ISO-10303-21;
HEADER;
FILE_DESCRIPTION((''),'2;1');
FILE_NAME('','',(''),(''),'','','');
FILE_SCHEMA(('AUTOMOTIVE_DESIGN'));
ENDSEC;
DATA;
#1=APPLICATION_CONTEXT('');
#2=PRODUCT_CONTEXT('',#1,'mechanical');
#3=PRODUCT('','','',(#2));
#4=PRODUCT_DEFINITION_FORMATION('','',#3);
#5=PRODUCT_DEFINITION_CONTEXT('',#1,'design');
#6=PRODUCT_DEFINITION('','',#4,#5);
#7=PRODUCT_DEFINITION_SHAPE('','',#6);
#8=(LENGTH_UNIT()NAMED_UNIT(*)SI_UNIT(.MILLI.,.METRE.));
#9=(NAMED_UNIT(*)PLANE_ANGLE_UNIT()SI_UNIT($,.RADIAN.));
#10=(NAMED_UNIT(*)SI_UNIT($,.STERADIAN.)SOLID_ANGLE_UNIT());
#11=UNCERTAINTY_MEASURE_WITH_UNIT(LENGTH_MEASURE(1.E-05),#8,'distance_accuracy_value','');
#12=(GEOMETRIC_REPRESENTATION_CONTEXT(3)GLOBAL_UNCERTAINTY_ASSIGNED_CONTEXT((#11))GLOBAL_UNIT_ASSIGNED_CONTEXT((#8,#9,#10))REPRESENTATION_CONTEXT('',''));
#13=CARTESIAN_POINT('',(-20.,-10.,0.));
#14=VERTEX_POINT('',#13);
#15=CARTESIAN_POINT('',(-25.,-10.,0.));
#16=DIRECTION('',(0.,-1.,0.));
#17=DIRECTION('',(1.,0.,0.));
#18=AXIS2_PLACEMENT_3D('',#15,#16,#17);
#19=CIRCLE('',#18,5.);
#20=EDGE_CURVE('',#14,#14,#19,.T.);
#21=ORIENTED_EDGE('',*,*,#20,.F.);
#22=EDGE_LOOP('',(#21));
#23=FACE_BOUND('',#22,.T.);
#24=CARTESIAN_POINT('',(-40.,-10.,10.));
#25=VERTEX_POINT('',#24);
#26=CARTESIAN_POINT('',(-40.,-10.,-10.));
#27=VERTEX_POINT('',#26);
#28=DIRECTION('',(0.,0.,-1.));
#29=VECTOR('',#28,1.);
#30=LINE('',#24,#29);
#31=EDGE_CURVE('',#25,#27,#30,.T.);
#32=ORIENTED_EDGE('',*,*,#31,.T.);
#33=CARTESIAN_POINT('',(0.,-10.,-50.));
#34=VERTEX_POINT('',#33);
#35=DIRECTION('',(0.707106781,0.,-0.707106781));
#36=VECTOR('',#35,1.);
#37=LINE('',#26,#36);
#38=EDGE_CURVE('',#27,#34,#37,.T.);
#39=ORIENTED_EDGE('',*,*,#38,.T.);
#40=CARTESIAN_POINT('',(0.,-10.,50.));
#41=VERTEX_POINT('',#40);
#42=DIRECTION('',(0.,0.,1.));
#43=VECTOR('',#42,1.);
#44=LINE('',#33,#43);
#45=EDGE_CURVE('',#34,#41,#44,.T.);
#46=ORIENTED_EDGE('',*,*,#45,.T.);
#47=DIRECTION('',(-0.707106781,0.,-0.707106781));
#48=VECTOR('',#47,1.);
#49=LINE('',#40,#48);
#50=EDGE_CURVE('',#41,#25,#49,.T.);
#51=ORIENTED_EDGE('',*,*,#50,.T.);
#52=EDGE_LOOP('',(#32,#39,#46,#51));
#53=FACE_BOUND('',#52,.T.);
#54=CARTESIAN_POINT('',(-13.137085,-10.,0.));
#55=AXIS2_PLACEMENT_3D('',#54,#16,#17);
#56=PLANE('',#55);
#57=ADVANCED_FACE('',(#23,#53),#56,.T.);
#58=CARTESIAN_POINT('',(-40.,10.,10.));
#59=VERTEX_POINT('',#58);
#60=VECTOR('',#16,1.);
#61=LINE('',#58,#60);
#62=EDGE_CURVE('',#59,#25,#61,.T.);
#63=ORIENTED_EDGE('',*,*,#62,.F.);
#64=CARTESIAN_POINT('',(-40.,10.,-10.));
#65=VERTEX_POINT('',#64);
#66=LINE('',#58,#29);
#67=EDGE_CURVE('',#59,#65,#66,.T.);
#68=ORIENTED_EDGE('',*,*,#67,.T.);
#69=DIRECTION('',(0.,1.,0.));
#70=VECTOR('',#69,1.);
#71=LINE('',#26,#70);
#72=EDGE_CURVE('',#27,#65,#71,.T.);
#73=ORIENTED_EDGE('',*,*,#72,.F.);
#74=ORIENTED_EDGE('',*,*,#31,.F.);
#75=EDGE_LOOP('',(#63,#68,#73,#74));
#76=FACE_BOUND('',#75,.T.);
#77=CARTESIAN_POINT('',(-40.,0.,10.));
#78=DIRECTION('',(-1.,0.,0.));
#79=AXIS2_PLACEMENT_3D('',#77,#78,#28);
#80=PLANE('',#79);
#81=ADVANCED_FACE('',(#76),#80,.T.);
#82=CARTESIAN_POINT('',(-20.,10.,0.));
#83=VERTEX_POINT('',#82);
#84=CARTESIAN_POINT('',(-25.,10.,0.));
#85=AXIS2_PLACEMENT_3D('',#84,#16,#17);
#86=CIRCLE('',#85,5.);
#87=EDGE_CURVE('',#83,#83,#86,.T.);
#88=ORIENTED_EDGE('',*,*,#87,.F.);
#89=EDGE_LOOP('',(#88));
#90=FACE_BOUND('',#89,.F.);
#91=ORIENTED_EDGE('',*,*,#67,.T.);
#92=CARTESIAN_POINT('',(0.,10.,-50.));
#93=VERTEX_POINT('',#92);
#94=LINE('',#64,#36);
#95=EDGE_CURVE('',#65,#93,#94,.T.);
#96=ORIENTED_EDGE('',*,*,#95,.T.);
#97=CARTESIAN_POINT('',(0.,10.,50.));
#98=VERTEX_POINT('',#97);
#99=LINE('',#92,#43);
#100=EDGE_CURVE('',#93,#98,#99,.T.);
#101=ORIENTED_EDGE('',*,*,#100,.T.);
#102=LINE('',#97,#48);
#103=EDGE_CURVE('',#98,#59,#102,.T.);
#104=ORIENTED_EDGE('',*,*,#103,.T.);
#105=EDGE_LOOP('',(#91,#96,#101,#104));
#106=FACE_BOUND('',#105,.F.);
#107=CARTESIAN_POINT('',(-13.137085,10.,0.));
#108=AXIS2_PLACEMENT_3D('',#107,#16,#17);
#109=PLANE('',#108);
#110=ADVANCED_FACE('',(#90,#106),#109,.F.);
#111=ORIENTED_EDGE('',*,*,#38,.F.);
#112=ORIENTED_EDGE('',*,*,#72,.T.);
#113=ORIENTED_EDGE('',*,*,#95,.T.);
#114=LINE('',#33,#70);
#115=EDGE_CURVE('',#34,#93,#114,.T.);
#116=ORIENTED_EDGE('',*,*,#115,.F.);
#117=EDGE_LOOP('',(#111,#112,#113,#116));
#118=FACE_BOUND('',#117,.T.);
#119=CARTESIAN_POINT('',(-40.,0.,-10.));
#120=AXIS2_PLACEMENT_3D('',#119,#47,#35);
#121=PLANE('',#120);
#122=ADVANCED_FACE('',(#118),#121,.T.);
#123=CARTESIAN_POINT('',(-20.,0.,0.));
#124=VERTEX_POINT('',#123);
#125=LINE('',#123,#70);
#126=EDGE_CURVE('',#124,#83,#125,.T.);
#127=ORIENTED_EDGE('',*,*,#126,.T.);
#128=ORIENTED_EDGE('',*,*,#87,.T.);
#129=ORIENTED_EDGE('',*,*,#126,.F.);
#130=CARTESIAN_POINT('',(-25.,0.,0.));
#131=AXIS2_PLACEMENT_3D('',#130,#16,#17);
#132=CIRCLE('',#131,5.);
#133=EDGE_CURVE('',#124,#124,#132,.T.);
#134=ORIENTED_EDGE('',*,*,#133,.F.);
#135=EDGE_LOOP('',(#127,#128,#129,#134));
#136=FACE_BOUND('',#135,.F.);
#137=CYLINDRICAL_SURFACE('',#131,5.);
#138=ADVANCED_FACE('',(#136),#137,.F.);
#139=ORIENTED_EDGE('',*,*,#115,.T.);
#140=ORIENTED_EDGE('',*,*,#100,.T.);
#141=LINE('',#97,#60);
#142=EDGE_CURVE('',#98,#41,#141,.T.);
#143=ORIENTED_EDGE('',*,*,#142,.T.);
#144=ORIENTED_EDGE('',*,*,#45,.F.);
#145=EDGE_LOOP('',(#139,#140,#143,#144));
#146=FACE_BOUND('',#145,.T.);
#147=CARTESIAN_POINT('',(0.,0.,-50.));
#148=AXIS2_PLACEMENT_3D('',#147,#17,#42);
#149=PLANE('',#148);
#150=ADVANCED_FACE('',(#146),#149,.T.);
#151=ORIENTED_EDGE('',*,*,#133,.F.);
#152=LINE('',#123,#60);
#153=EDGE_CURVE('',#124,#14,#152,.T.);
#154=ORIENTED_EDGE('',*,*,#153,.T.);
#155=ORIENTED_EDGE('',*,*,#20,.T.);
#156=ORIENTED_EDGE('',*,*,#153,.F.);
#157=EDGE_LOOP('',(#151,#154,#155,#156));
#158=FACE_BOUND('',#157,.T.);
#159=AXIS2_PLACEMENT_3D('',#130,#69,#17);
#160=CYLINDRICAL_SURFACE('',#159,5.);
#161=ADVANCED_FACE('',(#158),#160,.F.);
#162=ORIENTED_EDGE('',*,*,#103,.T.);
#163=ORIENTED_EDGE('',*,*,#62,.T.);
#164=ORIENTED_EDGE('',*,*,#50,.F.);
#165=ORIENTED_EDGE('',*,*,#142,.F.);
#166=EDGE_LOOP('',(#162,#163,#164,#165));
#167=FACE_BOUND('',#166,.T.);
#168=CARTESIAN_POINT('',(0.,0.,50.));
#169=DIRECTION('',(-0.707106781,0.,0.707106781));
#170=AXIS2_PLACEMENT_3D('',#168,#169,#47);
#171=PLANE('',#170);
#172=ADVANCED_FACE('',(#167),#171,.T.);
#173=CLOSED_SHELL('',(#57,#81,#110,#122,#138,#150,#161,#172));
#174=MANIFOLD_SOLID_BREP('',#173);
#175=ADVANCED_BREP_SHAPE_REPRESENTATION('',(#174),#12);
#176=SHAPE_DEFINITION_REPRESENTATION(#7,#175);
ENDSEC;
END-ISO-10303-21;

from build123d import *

# Parameters (mm, degrees)
F0_R          = 5
F1_DEPTH      = 10
F1_DEPTH_BACK = 10


with BuildPart() as f1:
    # F0 (on Front) → F1 (new body, two sides)
    with BuildSketch(Plane.XZ) as f1_sk:
        Polygon((0, -50), (0, 0), (0, 50), (-40, 10), (-40, 0), (-40, -10), align=None)
        with Locations((-25, 0)):
            Circle(F0_R, mode=Mode.SUBTRACT)
    extrude(amount=F1_DEPTH)
    extrude(f1_sk.sketch, amount=-F1_DEPTH_BACK)


solid = f1.part
